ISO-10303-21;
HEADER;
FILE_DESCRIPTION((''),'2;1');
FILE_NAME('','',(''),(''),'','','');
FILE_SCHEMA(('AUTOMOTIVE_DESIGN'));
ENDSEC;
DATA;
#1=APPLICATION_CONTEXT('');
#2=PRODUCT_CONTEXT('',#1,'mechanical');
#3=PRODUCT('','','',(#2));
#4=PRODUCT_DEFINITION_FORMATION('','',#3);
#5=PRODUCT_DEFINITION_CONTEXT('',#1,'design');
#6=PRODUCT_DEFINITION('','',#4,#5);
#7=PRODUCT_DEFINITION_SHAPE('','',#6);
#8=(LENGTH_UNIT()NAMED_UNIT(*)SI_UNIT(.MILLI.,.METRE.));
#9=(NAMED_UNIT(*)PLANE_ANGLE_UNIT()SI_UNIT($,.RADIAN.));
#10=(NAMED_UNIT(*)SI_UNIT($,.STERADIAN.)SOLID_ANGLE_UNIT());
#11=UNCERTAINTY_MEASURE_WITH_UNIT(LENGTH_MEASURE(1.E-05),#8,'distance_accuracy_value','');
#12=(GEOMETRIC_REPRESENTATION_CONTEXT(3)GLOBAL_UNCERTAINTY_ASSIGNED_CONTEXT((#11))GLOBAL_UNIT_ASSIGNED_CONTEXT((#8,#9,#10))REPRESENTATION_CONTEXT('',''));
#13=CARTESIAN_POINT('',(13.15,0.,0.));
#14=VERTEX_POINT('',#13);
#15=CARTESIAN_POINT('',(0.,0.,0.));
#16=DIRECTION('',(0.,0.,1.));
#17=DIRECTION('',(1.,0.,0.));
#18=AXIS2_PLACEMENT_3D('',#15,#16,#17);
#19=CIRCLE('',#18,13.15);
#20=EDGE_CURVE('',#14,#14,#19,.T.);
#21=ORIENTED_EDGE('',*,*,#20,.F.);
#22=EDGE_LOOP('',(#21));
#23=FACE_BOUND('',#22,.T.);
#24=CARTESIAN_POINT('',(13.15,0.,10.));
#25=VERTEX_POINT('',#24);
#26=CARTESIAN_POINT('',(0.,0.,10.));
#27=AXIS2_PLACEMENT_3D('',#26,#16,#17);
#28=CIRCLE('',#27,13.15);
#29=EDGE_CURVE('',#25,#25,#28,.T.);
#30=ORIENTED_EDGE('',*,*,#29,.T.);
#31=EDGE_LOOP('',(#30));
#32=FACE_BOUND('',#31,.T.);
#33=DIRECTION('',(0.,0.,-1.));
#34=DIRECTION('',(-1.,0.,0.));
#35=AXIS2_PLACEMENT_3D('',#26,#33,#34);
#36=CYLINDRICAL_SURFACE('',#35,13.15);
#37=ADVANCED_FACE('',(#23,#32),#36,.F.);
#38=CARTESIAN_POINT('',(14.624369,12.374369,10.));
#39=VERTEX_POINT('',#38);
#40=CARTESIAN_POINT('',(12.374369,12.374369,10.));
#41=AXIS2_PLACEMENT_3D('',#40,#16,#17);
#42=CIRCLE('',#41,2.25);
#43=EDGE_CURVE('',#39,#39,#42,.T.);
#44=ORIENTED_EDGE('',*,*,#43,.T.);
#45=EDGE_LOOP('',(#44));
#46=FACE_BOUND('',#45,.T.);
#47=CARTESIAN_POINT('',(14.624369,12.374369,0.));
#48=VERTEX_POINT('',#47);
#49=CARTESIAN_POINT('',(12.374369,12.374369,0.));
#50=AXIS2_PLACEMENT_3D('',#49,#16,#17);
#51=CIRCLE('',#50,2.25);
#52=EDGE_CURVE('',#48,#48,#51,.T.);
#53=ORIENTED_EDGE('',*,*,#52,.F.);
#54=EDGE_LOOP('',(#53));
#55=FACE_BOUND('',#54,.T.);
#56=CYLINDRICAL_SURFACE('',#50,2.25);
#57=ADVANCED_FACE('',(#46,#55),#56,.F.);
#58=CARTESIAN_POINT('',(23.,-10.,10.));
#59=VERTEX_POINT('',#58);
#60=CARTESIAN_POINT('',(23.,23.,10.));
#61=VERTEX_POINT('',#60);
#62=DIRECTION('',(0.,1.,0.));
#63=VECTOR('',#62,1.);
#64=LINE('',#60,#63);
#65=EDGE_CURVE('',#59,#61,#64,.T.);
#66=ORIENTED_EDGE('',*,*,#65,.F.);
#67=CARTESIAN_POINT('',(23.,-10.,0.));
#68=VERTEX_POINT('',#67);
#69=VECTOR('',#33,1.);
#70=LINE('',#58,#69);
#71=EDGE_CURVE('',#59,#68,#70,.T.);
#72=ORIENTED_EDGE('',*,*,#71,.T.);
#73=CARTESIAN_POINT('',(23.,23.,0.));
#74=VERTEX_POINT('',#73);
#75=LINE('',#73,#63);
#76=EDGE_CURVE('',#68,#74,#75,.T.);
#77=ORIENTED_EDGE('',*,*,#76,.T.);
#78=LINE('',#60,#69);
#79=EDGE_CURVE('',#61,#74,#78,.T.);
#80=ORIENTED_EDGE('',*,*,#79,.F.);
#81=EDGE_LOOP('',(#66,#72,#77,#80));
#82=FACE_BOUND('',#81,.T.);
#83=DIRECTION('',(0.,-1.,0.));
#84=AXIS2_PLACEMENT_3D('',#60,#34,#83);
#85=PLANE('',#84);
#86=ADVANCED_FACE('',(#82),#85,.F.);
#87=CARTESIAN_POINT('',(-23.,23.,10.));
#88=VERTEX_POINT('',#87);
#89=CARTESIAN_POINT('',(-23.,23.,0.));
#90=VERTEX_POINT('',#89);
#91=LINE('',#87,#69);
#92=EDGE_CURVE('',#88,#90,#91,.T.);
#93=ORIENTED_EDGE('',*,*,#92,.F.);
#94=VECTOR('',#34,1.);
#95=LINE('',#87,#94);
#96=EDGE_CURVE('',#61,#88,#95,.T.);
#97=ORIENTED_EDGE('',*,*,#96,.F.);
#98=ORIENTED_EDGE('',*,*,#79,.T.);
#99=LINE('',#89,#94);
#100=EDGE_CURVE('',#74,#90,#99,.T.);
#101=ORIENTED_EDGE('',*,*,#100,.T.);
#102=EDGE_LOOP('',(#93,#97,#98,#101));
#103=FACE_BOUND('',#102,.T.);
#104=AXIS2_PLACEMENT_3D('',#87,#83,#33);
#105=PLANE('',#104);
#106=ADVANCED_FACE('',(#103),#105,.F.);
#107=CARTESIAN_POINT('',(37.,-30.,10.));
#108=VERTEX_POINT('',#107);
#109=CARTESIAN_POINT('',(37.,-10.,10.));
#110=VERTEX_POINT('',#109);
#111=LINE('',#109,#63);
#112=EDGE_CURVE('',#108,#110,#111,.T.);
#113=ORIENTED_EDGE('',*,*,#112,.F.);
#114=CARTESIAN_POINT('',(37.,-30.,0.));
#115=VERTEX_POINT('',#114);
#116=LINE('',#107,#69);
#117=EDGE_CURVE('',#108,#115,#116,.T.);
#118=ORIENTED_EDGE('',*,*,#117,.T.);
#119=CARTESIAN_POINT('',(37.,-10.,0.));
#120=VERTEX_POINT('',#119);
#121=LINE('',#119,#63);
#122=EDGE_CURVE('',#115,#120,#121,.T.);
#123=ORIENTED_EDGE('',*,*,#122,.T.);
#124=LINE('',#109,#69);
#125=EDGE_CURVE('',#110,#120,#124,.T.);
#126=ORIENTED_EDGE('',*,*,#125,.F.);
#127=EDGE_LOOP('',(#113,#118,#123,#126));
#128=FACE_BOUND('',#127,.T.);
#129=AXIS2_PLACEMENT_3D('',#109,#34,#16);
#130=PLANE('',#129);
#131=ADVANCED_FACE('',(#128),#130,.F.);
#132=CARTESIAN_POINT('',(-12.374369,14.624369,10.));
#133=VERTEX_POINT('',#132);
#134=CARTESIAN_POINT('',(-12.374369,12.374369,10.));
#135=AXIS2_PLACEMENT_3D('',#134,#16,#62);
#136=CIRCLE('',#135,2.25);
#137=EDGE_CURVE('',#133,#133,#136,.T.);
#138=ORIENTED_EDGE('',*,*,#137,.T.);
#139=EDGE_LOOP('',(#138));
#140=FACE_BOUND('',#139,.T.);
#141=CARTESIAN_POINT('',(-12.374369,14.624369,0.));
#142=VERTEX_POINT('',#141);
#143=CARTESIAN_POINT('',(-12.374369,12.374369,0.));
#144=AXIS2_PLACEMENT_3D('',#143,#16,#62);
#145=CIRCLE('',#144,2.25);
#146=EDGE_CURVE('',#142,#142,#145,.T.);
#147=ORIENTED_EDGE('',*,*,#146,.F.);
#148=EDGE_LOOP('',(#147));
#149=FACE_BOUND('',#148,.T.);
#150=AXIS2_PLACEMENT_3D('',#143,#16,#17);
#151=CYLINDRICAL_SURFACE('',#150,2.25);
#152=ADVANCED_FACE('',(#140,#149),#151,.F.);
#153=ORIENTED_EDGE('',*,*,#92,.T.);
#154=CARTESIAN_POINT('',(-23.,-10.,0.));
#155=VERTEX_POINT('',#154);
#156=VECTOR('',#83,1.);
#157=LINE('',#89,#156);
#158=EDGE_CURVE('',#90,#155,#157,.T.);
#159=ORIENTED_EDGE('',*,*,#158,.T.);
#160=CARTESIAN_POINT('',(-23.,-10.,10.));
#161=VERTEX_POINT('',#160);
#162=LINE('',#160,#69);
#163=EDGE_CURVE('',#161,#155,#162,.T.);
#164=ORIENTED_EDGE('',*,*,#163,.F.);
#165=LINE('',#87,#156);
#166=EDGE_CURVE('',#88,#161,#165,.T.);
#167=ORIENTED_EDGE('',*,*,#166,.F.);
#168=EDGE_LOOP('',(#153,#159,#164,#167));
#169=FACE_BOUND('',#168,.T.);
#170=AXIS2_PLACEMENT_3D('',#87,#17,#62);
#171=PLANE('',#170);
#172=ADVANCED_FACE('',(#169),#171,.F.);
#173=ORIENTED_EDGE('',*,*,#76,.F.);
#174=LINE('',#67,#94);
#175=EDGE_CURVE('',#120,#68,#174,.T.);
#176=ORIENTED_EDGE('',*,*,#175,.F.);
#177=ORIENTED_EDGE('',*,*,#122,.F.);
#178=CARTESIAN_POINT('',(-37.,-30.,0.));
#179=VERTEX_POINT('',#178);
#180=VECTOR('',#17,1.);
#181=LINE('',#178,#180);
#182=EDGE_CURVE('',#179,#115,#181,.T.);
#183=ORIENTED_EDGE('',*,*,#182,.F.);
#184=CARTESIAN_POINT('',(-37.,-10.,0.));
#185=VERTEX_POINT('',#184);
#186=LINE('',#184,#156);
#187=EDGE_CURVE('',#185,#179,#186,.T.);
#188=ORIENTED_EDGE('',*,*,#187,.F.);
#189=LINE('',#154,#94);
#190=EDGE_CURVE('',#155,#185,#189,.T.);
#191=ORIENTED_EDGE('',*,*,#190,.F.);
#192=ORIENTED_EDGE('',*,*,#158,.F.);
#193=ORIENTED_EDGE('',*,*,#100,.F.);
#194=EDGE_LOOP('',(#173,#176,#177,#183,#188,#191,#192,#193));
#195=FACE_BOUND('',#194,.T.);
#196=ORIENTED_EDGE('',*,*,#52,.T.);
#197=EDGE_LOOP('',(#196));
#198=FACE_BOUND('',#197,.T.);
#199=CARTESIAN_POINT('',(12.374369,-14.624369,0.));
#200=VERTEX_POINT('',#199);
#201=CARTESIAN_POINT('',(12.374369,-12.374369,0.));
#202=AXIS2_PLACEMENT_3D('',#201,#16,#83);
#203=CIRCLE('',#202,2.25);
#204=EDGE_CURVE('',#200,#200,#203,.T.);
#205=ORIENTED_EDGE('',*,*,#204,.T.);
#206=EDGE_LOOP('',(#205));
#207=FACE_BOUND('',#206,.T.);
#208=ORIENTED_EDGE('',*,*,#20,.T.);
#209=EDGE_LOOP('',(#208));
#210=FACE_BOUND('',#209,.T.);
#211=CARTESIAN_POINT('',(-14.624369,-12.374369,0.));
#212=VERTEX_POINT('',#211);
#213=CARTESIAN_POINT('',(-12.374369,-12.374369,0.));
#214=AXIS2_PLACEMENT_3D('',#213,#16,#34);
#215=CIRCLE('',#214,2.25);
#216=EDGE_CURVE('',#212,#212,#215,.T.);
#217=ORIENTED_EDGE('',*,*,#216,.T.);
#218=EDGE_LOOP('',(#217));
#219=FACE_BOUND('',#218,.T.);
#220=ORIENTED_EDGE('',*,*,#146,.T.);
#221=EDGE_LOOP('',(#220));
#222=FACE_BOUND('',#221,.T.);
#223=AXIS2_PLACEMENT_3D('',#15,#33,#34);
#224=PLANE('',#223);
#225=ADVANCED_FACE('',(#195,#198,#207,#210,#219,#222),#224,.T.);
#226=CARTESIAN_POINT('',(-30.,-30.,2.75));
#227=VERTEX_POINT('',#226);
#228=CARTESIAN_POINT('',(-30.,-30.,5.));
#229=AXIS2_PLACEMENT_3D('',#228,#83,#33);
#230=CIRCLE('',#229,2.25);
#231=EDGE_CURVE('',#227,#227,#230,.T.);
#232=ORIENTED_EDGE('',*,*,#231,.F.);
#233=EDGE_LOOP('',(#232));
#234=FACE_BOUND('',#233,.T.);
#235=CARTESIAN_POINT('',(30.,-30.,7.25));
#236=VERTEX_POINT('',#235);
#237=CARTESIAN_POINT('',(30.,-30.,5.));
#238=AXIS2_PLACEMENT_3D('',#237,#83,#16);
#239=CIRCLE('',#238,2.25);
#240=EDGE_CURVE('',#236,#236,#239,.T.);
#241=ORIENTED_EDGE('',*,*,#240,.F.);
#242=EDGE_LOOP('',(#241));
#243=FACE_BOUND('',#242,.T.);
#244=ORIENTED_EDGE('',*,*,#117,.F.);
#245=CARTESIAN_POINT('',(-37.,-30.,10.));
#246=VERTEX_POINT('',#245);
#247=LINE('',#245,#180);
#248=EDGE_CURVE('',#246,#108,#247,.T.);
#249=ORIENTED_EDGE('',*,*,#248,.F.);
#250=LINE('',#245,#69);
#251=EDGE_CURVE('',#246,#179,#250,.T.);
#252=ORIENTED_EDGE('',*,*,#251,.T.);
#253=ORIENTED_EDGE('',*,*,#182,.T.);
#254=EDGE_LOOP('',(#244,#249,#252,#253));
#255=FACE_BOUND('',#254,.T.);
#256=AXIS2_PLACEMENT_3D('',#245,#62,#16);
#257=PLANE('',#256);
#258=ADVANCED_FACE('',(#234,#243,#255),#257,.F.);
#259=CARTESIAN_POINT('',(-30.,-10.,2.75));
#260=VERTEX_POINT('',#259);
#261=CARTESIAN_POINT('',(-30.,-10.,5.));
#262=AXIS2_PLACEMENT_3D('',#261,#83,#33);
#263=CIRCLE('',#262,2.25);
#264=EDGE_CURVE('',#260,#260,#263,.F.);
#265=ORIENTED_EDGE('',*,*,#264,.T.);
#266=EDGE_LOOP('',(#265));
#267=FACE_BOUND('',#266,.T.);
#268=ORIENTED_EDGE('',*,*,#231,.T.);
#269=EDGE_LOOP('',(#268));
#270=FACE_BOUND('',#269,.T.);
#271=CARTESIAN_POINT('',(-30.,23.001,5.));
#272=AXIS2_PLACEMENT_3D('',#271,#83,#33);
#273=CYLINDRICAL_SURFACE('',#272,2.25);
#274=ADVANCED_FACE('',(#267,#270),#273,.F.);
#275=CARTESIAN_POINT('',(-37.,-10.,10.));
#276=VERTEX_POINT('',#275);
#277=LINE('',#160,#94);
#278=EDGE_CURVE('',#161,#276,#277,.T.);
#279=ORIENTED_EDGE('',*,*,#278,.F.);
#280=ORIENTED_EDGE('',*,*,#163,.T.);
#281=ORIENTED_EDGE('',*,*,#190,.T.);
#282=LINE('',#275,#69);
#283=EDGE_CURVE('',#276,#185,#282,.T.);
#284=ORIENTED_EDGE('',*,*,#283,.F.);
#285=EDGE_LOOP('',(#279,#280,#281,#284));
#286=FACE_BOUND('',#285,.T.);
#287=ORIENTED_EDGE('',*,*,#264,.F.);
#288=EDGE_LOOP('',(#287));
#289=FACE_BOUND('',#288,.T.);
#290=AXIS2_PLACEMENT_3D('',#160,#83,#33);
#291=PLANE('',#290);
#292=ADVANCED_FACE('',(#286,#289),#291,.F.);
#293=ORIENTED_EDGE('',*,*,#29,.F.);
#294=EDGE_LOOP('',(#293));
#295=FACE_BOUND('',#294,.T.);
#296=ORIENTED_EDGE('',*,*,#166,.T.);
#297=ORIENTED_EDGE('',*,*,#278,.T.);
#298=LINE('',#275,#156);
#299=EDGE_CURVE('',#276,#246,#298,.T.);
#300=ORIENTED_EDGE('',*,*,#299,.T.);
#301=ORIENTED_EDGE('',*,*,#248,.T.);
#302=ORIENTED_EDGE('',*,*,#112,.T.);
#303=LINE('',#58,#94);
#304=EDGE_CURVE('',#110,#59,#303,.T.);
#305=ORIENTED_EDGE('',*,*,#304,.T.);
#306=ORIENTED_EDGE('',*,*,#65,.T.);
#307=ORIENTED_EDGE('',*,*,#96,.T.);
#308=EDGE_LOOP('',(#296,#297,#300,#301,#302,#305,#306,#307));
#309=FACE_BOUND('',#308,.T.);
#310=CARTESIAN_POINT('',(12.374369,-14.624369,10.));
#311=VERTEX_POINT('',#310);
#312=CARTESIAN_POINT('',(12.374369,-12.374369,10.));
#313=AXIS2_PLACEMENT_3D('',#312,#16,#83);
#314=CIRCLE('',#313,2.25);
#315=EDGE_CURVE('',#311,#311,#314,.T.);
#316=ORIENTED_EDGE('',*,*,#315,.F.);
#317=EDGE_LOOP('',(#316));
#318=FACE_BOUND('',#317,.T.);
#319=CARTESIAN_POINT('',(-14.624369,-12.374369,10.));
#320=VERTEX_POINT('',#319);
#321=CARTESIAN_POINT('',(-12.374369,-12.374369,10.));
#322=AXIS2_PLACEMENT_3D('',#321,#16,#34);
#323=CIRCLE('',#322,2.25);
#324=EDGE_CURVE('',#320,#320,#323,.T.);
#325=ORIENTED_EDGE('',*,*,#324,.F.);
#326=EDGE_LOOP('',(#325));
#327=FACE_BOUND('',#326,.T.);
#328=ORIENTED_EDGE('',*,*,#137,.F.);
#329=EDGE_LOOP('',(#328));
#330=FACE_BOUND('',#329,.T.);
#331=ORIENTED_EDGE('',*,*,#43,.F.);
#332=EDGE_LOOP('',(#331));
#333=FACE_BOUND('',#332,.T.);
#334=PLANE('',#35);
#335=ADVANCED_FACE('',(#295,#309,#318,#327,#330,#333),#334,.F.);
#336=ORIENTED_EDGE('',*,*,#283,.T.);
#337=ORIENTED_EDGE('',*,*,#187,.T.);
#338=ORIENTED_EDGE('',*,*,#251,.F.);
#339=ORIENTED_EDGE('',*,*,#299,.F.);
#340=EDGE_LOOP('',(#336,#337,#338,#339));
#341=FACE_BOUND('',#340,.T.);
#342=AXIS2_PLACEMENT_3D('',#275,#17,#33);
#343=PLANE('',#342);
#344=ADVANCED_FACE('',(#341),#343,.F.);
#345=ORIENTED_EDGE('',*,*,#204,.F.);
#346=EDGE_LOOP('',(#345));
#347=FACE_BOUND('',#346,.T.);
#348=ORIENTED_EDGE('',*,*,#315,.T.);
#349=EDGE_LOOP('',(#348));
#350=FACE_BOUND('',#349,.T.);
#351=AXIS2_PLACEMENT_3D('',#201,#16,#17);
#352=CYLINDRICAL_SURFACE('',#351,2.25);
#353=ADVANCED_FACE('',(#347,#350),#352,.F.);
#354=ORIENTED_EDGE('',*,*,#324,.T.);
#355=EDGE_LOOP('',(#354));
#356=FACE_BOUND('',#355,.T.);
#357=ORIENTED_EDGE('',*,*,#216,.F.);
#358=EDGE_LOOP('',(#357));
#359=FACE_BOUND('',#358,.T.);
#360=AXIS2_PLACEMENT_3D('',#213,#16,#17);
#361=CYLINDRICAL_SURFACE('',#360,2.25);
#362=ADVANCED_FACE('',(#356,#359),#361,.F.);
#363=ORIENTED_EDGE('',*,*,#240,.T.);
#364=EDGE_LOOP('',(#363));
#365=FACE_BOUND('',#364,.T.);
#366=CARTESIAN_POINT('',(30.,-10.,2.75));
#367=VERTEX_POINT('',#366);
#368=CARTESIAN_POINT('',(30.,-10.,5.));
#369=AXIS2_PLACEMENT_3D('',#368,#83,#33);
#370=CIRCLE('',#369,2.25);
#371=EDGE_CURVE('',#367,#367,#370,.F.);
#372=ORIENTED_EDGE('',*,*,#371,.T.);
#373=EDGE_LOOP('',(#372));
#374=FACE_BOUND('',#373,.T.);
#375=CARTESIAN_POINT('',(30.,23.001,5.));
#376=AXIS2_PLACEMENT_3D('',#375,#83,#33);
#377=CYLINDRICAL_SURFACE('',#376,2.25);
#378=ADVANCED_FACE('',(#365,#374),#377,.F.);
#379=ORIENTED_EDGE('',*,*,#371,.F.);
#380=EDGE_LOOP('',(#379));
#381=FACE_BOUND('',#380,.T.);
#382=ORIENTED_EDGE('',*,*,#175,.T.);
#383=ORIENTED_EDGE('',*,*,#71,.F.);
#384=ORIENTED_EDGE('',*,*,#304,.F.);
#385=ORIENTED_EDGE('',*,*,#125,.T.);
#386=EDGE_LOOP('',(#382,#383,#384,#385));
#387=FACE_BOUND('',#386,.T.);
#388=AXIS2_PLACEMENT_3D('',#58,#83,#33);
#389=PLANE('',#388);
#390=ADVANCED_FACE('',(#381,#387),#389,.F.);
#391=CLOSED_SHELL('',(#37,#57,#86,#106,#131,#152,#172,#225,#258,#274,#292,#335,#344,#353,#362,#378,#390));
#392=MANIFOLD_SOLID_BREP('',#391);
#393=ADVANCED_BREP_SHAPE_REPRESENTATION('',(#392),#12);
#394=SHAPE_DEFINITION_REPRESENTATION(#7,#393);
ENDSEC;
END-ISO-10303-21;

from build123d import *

# Parameters (mm, degrees)
ESQUISSE1_R             = 13.15
BOSS_EXTRU_1_DEPTH      = 10
ENL_V_MAT_EXTRU_2_REACH = 67.406
ESQUISSE5_R             = 2.25
SKETCH1_R               = 2.25
CUT_EXTRUDE1_DEPTH      = 49.672374095
CIRPATTERN1_COUNT       = 4


with BuildPart() as part:
    # Esquisse1 → Boss.-Extru.1 (new body)
    with BuildSketch(Plane.XY):
        Polygon((-23, 23), (23, 23), (23, -10), (37, -10), (37, -30), (-37, -30), (-37, -10), (-23, -10), align=None)
        Circle(ESQUISSE1_R, mode=Mode.SUBTRACT)
    extrude(amount=BOSS_EXTRU_1_DEPTH)

    # Esquisse5 → Enlèv. mat.-Extru.2 (cut, up to next)
    with BuildSketch(Plane.XZ.offset(30), mode=Mode.PRIVATE) as enl_v_mat_extru_2_sk1:
        with Locations(Location((-30, 5, 0), (0, 0, 270))):
            Circle(ESQUISSE5_R)
    enl_v_mat_extru_2_tool1 = extrude(enl_v_mat_extru_2_sk1.sketch, amount=-ENL_V_MAT_EXTRU_2_REACH, mode=Mode.PRIVATE) & part.part
    # Esquisse5 → Enlèv. mat.-Extru.2 (cut, up to next)
    with BuildSketch(Plane.XZ.offset(30), mode=Mode.PRIVATE) as enl_v_mat_extru_2_sk2:
        with Locations(Location((30, 5, 0), (0, 0, 270))):
            Circle(ESQUISSE5_R)
    enl_v_mat_extru_2_tool2 = extrude(enl_v_mat_extru_2_sk2.sketch, amount=-ENL_V_MAT_EXTRU_2_REACH, mode=Mode.PRIVATE) & part.part
    add(enl_v_mat_extru_2_tool1.solids().sort_by_distance((-30, -30, 5))[0], mode=Mode.SUBTRACT)
    add(enl_v_mat_extru_2_tool2.solids().sort_by_distance((30, -30, 5))[0], mode=Mode.SUBTRACT)

    # Sketch1 → Cut-Extrude1 (cut, through all)
    with BuildSketch(Plane.XY.offset(10)):
        with Locations((12.374368671, 12.374368671)):
            Circle(SKETCH1_R)
    cut_extrude1 = extrude(amount=-CUT_EXTRUDE1_DEPTH, mode=Mode.SUBTRACT)

    # CirPattern1: Cut-Extrude1 ×4 about axis
    cirpattern1_axis = Axis((0, 0, 0), (0, 0, 1))
    for i in range(1, CIRPATTERN1_COUNT):
        add(cut_extrude1.rotate(cirpattern1_axis, i * 360 / CIRPATTERN1_COUNT), mode=Mode.SUBTRACT)


solid = part.part
